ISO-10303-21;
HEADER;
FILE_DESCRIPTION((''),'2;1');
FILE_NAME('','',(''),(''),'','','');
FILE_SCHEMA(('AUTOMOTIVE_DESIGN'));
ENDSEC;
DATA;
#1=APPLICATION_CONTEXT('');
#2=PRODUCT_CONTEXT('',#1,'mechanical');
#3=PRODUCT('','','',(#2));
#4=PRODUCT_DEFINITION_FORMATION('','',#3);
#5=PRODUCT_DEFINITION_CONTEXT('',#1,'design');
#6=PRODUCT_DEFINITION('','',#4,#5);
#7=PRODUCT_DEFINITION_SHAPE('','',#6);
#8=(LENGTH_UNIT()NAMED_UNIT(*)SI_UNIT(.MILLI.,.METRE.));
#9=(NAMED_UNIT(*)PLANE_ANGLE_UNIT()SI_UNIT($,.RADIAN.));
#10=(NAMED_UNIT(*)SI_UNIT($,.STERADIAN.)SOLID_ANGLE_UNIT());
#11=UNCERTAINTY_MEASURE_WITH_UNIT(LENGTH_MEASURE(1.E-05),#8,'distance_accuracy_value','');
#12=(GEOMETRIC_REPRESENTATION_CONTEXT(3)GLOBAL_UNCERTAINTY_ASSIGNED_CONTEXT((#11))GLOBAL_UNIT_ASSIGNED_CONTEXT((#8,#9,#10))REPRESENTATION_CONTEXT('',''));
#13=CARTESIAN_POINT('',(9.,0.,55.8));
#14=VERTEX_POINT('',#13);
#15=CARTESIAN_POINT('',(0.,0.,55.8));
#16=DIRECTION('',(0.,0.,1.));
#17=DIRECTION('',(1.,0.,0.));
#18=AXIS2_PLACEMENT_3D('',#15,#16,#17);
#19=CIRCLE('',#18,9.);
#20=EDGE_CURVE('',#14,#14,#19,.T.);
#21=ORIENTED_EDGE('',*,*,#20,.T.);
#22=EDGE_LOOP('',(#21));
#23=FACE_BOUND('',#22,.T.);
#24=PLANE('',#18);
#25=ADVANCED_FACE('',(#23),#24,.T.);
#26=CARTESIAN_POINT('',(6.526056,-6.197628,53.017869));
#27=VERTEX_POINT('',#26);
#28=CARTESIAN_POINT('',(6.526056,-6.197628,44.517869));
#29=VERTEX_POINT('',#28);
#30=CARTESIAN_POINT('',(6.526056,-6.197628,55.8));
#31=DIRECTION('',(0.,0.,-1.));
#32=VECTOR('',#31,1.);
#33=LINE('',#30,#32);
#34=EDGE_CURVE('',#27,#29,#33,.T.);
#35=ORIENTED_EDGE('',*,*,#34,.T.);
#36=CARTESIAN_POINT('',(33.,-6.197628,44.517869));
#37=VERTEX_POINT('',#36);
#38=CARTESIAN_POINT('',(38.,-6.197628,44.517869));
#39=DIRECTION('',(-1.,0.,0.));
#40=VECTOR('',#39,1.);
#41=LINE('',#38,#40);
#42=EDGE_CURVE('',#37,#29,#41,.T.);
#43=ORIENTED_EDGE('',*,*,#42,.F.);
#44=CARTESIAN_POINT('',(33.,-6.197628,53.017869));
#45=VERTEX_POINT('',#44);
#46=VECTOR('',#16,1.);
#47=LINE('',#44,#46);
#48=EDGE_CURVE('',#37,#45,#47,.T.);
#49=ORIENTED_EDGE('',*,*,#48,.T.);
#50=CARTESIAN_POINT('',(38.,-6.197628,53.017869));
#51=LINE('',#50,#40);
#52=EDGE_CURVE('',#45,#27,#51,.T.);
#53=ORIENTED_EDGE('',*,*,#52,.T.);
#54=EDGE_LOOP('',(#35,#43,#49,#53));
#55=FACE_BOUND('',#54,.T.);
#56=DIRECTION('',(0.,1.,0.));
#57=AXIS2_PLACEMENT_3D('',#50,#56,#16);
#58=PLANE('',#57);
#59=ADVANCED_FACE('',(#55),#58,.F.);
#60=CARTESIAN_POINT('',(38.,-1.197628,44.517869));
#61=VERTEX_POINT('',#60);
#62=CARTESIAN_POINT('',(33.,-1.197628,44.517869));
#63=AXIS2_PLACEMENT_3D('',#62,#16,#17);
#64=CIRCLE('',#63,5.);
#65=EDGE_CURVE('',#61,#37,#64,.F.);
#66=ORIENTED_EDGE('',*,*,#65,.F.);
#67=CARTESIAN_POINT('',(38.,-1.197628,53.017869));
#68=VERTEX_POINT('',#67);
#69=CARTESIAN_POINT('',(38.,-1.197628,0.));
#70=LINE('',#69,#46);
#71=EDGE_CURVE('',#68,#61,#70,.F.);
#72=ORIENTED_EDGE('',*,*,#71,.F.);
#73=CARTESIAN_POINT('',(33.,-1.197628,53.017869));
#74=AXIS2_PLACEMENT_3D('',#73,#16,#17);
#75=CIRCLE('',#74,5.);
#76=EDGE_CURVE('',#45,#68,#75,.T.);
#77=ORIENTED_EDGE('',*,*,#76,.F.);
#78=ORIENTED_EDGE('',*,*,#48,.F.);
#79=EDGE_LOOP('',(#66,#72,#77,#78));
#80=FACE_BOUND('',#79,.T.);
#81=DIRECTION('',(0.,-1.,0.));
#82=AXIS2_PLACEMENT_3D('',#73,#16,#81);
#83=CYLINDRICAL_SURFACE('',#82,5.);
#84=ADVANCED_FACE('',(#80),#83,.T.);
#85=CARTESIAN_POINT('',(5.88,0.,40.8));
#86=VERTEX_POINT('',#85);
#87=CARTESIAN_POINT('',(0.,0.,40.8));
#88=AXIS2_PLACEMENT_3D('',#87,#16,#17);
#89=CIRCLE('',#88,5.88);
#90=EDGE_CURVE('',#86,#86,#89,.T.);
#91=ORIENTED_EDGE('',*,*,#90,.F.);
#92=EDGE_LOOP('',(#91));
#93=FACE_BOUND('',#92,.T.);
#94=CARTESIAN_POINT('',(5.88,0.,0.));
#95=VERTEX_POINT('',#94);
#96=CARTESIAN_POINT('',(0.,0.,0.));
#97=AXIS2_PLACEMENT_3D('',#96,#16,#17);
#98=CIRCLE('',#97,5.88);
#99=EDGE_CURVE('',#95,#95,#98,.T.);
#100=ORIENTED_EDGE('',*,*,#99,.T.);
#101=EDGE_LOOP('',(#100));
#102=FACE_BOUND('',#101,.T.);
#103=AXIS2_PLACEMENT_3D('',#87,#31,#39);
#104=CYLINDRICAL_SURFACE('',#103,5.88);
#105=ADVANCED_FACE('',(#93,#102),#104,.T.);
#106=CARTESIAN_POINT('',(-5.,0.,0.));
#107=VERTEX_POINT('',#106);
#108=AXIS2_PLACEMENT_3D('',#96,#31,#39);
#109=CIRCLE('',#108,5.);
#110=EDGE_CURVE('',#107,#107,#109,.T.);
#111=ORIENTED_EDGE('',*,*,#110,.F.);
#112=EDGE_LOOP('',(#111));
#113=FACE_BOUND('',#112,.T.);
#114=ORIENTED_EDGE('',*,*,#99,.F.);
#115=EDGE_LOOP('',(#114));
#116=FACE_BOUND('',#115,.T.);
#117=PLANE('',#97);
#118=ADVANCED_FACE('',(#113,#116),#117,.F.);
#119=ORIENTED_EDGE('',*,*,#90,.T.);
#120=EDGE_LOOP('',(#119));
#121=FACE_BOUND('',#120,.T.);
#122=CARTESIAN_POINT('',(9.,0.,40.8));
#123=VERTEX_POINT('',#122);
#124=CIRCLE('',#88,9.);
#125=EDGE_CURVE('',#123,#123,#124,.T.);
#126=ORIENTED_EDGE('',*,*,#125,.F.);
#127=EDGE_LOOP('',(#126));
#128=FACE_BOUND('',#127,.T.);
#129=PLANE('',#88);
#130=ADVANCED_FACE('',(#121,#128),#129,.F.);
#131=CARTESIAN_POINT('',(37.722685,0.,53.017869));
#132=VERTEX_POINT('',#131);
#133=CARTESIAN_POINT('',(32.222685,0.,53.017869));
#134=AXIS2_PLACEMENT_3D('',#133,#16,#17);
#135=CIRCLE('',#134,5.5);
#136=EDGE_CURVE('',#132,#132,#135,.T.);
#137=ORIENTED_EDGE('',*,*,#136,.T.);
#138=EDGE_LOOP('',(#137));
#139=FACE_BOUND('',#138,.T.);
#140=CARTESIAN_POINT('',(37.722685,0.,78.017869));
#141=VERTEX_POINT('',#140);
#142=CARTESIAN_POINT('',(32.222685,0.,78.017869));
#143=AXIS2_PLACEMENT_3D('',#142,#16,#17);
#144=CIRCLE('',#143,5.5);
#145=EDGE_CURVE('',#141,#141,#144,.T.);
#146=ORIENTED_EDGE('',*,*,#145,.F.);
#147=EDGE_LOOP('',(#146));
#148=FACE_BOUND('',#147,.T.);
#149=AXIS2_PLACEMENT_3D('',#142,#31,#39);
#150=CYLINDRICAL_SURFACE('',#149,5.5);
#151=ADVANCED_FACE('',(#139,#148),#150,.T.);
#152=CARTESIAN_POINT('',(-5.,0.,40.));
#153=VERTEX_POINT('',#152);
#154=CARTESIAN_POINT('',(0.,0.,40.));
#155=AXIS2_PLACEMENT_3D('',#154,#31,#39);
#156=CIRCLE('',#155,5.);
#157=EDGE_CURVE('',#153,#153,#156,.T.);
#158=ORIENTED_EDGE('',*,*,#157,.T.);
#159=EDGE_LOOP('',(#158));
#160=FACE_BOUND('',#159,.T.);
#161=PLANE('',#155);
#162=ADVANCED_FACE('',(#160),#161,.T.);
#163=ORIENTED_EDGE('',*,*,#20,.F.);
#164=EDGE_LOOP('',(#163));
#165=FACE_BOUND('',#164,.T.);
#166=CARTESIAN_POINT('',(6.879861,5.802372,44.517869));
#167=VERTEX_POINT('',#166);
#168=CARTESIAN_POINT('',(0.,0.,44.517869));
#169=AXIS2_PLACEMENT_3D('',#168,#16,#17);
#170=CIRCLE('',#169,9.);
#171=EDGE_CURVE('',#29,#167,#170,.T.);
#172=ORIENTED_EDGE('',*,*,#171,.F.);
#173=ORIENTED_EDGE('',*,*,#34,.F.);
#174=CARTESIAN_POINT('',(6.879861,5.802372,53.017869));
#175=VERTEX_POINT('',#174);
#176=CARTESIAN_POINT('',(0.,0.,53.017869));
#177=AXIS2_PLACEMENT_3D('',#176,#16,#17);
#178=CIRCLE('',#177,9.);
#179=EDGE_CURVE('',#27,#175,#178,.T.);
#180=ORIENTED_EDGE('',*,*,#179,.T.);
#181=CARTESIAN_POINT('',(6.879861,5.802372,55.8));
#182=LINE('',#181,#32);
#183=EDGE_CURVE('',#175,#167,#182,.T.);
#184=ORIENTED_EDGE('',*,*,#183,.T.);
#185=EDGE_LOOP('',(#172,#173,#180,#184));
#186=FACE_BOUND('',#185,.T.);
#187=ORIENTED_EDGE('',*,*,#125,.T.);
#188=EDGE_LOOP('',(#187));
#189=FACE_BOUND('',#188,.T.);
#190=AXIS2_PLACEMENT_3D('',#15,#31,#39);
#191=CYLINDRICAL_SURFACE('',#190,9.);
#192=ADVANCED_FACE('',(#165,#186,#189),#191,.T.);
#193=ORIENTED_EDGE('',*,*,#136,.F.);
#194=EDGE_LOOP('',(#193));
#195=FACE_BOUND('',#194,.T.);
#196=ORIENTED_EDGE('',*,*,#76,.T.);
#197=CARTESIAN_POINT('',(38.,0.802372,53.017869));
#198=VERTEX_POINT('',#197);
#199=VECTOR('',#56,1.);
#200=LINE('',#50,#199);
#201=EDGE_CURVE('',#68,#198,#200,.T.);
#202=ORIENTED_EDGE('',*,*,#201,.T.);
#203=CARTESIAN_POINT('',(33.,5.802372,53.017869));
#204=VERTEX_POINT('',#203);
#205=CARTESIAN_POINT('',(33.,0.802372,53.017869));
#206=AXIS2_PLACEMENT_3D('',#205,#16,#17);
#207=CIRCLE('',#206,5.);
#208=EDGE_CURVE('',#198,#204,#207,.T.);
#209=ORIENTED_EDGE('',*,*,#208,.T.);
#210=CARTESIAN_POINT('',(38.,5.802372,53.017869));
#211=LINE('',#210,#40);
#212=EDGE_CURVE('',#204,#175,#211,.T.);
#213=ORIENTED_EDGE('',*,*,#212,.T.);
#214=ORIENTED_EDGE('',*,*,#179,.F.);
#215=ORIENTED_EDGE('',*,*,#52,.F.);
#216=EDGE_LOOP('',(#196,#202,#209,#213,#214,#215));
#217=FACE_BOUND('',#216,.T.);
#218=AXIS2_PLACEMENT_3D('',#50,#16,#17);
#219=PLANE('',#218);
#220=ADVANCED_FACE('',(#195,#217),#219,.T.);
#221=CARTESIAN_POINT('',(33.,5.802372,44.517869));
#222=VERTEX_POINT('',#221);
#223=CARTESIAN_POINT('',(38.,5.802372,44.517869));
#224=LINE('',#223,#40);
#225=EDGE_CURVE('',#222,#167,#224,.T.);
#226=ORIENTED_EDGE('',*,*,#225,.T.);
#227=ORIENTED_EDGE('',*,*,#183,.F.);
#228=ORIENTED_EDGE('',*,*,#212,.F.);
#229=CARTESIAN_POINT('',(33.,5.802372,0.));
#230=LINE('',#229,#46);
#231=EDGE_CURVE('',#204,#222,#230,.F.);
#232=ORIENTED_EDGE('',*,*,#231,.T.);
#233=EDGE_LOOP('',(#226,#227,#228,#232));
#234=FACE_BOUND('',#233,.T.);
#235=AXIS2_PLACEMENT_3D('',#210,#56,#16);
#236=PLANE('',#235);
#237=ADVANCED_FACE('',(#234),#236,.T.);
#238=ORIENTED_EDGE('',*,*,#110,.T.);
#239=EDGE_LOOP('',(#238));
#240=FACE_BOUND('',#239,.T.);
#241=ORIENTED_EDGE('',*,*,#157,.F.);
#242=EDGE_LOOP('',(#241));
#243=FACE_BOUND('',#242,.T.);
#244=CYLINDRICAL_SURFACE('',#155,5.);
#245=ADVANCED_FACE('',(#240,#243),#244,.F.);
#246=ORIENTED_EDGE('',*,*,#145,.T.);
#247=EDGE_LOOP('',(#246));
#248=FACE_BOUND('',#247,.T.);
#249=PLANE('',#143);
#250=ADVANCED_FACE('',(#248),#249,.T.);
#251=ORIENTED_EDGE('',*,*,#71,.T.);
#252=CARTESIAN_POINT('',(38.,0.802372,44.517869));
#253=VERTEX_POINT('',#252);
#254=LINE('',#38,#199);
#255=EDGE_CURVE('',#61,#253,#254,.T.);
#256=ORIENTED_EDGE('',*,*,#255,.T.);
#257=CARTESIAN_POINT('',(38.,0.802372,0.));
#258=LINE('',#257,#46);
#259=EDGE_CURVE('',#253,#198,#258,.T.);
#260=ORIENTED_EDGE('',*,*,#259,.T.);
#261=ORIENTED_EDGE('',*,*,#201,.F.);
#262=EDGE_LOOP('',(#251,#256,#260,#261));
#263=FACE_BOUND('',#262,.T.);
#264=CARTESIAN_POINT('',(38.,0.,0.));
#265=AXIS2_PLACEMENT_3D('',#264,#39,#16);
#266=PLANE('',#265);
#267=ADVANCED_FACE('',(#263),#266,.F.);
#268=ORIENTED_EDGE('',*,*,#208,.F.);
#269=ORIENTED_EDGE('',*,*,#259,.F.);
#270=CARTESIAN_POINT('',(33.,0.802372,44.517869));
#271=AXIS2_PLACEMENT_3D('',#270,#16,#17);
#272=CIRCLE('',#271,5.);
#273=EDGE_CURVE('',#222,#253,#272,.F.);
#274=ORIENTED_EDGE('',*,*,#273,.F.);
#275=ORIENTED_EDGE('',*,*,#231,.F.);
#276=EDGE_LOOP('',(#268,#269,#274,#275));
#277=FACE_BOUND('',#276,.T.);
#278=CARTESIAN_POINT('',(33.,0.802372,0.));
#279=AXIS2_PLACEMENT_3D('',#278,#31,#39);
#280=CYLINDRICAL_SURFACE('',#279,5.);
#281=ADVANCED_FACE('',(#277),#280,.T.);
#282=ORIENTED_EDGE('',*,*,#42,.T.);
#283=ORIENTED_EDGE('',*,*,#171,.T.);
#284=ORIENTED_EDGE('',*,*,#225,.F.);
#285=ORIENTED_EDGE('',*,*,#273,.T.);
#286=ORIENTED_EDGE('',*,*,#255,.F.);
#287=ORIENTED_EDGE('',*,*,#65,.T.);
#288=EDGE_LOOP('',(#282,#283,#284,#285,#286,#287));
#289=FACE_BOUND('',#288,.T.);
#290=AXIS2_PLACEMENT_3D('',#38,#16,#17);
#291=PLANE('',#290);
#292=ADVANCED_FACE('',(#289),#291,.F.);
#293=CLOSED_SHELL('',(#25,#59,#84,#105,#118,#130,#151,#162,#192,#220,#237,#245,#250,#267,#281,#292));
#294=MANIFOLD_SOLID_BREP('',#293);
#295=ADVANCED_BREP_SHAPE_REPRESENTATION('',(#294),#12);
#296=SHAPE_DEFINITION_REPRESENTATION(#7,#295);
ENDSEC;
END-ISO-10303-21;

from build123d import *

# Parameters (mm, degrees)
SKETCH1_R           = 5.88
BOSS_EXTRUDE1_DEPTH = 40.8
SKETCH2_R           = 9
BOSS_EXTRUDE2_DEPTH = 15
SKETCH3_R           = 5
CUT_EXTRUDE1_DEPTH  = 40
SKETCH4_W           = 8.5
SKETCH4_H           = 12
BOSS_EXTRUDE4_DEPTH = 38
SKETCH5_R           = 5.5
BOSS_EXTRUDE5_DEPTH = 25
FILLET1_R           = 5
FILLET2_R           = 5


with BuildPart() as part:
    # Sketch1 → Boss-Extrude1 (new body)
    with BuildSketch(Plane.XY):
        Circle(SKETCH1_R)
    extrude(amount=BOSS_EXTRUDE1_DEPTH)

    # Sketch2 → Boss-Extrude2 (add)
    with BuildSketch(Plane.XY.offset(40.8)):
        Circle(SKETCH2_R)
    extrude(amount=BOSS_EXTRUDE2_DEPTH)

    # Sketch3 → Cut-Extrude1 (cut)
    with BuildSketch(Plane(origin=(0, 0, 0), x_dir=(-1, 0, 0), z_dir=(0, 0, -1))):
        Circle(SKETCH3_R)
    extrude(amount=-CUT_EXTRUDE1_DEPTH, mode=Mode.SUBTRACT)

    # Sketch4 → Boss-Extrude4 (add)
    with BuildSketch(Plane(origin=(0, 0, 0), x_dir=(0, 0, -1), z_dir=(1, 0, 0))):
        with Locations((-48.767868688, -0.197628396)):
            Rectangle(SKETCH4_W, SKETCH4_H)
    extrude(amount=BOSS_EXTRUDE4_DEPTH)

    # Sketch5 → Boss-Extrude5 (add)
    with BuildSketch(Plane.XY.offset(53.017868688)):
        with Locations((32.222684983, 0)):
            Circle(SKETCH5_R)
    extrude(amount=BOSS_EXTRUDE5_DEPTH)

    # Fillet1
    fillet1_edges = [part.edges().sort_by_distance(p)[0] for p in [
        (38, 5.802371604, 48.767868688),
    ]]
    fillet(fillet1_edges, radius=FILLET1_R)

    # Fillet2
    fillet2_edges = [part.edges().sort_by_distance(p)[0] for p in [
        (38, -6.197628396, 48.767868688),
    ]]
    fillet(fillet2_edges, radius=FILLET2_R)


solid = part.part
